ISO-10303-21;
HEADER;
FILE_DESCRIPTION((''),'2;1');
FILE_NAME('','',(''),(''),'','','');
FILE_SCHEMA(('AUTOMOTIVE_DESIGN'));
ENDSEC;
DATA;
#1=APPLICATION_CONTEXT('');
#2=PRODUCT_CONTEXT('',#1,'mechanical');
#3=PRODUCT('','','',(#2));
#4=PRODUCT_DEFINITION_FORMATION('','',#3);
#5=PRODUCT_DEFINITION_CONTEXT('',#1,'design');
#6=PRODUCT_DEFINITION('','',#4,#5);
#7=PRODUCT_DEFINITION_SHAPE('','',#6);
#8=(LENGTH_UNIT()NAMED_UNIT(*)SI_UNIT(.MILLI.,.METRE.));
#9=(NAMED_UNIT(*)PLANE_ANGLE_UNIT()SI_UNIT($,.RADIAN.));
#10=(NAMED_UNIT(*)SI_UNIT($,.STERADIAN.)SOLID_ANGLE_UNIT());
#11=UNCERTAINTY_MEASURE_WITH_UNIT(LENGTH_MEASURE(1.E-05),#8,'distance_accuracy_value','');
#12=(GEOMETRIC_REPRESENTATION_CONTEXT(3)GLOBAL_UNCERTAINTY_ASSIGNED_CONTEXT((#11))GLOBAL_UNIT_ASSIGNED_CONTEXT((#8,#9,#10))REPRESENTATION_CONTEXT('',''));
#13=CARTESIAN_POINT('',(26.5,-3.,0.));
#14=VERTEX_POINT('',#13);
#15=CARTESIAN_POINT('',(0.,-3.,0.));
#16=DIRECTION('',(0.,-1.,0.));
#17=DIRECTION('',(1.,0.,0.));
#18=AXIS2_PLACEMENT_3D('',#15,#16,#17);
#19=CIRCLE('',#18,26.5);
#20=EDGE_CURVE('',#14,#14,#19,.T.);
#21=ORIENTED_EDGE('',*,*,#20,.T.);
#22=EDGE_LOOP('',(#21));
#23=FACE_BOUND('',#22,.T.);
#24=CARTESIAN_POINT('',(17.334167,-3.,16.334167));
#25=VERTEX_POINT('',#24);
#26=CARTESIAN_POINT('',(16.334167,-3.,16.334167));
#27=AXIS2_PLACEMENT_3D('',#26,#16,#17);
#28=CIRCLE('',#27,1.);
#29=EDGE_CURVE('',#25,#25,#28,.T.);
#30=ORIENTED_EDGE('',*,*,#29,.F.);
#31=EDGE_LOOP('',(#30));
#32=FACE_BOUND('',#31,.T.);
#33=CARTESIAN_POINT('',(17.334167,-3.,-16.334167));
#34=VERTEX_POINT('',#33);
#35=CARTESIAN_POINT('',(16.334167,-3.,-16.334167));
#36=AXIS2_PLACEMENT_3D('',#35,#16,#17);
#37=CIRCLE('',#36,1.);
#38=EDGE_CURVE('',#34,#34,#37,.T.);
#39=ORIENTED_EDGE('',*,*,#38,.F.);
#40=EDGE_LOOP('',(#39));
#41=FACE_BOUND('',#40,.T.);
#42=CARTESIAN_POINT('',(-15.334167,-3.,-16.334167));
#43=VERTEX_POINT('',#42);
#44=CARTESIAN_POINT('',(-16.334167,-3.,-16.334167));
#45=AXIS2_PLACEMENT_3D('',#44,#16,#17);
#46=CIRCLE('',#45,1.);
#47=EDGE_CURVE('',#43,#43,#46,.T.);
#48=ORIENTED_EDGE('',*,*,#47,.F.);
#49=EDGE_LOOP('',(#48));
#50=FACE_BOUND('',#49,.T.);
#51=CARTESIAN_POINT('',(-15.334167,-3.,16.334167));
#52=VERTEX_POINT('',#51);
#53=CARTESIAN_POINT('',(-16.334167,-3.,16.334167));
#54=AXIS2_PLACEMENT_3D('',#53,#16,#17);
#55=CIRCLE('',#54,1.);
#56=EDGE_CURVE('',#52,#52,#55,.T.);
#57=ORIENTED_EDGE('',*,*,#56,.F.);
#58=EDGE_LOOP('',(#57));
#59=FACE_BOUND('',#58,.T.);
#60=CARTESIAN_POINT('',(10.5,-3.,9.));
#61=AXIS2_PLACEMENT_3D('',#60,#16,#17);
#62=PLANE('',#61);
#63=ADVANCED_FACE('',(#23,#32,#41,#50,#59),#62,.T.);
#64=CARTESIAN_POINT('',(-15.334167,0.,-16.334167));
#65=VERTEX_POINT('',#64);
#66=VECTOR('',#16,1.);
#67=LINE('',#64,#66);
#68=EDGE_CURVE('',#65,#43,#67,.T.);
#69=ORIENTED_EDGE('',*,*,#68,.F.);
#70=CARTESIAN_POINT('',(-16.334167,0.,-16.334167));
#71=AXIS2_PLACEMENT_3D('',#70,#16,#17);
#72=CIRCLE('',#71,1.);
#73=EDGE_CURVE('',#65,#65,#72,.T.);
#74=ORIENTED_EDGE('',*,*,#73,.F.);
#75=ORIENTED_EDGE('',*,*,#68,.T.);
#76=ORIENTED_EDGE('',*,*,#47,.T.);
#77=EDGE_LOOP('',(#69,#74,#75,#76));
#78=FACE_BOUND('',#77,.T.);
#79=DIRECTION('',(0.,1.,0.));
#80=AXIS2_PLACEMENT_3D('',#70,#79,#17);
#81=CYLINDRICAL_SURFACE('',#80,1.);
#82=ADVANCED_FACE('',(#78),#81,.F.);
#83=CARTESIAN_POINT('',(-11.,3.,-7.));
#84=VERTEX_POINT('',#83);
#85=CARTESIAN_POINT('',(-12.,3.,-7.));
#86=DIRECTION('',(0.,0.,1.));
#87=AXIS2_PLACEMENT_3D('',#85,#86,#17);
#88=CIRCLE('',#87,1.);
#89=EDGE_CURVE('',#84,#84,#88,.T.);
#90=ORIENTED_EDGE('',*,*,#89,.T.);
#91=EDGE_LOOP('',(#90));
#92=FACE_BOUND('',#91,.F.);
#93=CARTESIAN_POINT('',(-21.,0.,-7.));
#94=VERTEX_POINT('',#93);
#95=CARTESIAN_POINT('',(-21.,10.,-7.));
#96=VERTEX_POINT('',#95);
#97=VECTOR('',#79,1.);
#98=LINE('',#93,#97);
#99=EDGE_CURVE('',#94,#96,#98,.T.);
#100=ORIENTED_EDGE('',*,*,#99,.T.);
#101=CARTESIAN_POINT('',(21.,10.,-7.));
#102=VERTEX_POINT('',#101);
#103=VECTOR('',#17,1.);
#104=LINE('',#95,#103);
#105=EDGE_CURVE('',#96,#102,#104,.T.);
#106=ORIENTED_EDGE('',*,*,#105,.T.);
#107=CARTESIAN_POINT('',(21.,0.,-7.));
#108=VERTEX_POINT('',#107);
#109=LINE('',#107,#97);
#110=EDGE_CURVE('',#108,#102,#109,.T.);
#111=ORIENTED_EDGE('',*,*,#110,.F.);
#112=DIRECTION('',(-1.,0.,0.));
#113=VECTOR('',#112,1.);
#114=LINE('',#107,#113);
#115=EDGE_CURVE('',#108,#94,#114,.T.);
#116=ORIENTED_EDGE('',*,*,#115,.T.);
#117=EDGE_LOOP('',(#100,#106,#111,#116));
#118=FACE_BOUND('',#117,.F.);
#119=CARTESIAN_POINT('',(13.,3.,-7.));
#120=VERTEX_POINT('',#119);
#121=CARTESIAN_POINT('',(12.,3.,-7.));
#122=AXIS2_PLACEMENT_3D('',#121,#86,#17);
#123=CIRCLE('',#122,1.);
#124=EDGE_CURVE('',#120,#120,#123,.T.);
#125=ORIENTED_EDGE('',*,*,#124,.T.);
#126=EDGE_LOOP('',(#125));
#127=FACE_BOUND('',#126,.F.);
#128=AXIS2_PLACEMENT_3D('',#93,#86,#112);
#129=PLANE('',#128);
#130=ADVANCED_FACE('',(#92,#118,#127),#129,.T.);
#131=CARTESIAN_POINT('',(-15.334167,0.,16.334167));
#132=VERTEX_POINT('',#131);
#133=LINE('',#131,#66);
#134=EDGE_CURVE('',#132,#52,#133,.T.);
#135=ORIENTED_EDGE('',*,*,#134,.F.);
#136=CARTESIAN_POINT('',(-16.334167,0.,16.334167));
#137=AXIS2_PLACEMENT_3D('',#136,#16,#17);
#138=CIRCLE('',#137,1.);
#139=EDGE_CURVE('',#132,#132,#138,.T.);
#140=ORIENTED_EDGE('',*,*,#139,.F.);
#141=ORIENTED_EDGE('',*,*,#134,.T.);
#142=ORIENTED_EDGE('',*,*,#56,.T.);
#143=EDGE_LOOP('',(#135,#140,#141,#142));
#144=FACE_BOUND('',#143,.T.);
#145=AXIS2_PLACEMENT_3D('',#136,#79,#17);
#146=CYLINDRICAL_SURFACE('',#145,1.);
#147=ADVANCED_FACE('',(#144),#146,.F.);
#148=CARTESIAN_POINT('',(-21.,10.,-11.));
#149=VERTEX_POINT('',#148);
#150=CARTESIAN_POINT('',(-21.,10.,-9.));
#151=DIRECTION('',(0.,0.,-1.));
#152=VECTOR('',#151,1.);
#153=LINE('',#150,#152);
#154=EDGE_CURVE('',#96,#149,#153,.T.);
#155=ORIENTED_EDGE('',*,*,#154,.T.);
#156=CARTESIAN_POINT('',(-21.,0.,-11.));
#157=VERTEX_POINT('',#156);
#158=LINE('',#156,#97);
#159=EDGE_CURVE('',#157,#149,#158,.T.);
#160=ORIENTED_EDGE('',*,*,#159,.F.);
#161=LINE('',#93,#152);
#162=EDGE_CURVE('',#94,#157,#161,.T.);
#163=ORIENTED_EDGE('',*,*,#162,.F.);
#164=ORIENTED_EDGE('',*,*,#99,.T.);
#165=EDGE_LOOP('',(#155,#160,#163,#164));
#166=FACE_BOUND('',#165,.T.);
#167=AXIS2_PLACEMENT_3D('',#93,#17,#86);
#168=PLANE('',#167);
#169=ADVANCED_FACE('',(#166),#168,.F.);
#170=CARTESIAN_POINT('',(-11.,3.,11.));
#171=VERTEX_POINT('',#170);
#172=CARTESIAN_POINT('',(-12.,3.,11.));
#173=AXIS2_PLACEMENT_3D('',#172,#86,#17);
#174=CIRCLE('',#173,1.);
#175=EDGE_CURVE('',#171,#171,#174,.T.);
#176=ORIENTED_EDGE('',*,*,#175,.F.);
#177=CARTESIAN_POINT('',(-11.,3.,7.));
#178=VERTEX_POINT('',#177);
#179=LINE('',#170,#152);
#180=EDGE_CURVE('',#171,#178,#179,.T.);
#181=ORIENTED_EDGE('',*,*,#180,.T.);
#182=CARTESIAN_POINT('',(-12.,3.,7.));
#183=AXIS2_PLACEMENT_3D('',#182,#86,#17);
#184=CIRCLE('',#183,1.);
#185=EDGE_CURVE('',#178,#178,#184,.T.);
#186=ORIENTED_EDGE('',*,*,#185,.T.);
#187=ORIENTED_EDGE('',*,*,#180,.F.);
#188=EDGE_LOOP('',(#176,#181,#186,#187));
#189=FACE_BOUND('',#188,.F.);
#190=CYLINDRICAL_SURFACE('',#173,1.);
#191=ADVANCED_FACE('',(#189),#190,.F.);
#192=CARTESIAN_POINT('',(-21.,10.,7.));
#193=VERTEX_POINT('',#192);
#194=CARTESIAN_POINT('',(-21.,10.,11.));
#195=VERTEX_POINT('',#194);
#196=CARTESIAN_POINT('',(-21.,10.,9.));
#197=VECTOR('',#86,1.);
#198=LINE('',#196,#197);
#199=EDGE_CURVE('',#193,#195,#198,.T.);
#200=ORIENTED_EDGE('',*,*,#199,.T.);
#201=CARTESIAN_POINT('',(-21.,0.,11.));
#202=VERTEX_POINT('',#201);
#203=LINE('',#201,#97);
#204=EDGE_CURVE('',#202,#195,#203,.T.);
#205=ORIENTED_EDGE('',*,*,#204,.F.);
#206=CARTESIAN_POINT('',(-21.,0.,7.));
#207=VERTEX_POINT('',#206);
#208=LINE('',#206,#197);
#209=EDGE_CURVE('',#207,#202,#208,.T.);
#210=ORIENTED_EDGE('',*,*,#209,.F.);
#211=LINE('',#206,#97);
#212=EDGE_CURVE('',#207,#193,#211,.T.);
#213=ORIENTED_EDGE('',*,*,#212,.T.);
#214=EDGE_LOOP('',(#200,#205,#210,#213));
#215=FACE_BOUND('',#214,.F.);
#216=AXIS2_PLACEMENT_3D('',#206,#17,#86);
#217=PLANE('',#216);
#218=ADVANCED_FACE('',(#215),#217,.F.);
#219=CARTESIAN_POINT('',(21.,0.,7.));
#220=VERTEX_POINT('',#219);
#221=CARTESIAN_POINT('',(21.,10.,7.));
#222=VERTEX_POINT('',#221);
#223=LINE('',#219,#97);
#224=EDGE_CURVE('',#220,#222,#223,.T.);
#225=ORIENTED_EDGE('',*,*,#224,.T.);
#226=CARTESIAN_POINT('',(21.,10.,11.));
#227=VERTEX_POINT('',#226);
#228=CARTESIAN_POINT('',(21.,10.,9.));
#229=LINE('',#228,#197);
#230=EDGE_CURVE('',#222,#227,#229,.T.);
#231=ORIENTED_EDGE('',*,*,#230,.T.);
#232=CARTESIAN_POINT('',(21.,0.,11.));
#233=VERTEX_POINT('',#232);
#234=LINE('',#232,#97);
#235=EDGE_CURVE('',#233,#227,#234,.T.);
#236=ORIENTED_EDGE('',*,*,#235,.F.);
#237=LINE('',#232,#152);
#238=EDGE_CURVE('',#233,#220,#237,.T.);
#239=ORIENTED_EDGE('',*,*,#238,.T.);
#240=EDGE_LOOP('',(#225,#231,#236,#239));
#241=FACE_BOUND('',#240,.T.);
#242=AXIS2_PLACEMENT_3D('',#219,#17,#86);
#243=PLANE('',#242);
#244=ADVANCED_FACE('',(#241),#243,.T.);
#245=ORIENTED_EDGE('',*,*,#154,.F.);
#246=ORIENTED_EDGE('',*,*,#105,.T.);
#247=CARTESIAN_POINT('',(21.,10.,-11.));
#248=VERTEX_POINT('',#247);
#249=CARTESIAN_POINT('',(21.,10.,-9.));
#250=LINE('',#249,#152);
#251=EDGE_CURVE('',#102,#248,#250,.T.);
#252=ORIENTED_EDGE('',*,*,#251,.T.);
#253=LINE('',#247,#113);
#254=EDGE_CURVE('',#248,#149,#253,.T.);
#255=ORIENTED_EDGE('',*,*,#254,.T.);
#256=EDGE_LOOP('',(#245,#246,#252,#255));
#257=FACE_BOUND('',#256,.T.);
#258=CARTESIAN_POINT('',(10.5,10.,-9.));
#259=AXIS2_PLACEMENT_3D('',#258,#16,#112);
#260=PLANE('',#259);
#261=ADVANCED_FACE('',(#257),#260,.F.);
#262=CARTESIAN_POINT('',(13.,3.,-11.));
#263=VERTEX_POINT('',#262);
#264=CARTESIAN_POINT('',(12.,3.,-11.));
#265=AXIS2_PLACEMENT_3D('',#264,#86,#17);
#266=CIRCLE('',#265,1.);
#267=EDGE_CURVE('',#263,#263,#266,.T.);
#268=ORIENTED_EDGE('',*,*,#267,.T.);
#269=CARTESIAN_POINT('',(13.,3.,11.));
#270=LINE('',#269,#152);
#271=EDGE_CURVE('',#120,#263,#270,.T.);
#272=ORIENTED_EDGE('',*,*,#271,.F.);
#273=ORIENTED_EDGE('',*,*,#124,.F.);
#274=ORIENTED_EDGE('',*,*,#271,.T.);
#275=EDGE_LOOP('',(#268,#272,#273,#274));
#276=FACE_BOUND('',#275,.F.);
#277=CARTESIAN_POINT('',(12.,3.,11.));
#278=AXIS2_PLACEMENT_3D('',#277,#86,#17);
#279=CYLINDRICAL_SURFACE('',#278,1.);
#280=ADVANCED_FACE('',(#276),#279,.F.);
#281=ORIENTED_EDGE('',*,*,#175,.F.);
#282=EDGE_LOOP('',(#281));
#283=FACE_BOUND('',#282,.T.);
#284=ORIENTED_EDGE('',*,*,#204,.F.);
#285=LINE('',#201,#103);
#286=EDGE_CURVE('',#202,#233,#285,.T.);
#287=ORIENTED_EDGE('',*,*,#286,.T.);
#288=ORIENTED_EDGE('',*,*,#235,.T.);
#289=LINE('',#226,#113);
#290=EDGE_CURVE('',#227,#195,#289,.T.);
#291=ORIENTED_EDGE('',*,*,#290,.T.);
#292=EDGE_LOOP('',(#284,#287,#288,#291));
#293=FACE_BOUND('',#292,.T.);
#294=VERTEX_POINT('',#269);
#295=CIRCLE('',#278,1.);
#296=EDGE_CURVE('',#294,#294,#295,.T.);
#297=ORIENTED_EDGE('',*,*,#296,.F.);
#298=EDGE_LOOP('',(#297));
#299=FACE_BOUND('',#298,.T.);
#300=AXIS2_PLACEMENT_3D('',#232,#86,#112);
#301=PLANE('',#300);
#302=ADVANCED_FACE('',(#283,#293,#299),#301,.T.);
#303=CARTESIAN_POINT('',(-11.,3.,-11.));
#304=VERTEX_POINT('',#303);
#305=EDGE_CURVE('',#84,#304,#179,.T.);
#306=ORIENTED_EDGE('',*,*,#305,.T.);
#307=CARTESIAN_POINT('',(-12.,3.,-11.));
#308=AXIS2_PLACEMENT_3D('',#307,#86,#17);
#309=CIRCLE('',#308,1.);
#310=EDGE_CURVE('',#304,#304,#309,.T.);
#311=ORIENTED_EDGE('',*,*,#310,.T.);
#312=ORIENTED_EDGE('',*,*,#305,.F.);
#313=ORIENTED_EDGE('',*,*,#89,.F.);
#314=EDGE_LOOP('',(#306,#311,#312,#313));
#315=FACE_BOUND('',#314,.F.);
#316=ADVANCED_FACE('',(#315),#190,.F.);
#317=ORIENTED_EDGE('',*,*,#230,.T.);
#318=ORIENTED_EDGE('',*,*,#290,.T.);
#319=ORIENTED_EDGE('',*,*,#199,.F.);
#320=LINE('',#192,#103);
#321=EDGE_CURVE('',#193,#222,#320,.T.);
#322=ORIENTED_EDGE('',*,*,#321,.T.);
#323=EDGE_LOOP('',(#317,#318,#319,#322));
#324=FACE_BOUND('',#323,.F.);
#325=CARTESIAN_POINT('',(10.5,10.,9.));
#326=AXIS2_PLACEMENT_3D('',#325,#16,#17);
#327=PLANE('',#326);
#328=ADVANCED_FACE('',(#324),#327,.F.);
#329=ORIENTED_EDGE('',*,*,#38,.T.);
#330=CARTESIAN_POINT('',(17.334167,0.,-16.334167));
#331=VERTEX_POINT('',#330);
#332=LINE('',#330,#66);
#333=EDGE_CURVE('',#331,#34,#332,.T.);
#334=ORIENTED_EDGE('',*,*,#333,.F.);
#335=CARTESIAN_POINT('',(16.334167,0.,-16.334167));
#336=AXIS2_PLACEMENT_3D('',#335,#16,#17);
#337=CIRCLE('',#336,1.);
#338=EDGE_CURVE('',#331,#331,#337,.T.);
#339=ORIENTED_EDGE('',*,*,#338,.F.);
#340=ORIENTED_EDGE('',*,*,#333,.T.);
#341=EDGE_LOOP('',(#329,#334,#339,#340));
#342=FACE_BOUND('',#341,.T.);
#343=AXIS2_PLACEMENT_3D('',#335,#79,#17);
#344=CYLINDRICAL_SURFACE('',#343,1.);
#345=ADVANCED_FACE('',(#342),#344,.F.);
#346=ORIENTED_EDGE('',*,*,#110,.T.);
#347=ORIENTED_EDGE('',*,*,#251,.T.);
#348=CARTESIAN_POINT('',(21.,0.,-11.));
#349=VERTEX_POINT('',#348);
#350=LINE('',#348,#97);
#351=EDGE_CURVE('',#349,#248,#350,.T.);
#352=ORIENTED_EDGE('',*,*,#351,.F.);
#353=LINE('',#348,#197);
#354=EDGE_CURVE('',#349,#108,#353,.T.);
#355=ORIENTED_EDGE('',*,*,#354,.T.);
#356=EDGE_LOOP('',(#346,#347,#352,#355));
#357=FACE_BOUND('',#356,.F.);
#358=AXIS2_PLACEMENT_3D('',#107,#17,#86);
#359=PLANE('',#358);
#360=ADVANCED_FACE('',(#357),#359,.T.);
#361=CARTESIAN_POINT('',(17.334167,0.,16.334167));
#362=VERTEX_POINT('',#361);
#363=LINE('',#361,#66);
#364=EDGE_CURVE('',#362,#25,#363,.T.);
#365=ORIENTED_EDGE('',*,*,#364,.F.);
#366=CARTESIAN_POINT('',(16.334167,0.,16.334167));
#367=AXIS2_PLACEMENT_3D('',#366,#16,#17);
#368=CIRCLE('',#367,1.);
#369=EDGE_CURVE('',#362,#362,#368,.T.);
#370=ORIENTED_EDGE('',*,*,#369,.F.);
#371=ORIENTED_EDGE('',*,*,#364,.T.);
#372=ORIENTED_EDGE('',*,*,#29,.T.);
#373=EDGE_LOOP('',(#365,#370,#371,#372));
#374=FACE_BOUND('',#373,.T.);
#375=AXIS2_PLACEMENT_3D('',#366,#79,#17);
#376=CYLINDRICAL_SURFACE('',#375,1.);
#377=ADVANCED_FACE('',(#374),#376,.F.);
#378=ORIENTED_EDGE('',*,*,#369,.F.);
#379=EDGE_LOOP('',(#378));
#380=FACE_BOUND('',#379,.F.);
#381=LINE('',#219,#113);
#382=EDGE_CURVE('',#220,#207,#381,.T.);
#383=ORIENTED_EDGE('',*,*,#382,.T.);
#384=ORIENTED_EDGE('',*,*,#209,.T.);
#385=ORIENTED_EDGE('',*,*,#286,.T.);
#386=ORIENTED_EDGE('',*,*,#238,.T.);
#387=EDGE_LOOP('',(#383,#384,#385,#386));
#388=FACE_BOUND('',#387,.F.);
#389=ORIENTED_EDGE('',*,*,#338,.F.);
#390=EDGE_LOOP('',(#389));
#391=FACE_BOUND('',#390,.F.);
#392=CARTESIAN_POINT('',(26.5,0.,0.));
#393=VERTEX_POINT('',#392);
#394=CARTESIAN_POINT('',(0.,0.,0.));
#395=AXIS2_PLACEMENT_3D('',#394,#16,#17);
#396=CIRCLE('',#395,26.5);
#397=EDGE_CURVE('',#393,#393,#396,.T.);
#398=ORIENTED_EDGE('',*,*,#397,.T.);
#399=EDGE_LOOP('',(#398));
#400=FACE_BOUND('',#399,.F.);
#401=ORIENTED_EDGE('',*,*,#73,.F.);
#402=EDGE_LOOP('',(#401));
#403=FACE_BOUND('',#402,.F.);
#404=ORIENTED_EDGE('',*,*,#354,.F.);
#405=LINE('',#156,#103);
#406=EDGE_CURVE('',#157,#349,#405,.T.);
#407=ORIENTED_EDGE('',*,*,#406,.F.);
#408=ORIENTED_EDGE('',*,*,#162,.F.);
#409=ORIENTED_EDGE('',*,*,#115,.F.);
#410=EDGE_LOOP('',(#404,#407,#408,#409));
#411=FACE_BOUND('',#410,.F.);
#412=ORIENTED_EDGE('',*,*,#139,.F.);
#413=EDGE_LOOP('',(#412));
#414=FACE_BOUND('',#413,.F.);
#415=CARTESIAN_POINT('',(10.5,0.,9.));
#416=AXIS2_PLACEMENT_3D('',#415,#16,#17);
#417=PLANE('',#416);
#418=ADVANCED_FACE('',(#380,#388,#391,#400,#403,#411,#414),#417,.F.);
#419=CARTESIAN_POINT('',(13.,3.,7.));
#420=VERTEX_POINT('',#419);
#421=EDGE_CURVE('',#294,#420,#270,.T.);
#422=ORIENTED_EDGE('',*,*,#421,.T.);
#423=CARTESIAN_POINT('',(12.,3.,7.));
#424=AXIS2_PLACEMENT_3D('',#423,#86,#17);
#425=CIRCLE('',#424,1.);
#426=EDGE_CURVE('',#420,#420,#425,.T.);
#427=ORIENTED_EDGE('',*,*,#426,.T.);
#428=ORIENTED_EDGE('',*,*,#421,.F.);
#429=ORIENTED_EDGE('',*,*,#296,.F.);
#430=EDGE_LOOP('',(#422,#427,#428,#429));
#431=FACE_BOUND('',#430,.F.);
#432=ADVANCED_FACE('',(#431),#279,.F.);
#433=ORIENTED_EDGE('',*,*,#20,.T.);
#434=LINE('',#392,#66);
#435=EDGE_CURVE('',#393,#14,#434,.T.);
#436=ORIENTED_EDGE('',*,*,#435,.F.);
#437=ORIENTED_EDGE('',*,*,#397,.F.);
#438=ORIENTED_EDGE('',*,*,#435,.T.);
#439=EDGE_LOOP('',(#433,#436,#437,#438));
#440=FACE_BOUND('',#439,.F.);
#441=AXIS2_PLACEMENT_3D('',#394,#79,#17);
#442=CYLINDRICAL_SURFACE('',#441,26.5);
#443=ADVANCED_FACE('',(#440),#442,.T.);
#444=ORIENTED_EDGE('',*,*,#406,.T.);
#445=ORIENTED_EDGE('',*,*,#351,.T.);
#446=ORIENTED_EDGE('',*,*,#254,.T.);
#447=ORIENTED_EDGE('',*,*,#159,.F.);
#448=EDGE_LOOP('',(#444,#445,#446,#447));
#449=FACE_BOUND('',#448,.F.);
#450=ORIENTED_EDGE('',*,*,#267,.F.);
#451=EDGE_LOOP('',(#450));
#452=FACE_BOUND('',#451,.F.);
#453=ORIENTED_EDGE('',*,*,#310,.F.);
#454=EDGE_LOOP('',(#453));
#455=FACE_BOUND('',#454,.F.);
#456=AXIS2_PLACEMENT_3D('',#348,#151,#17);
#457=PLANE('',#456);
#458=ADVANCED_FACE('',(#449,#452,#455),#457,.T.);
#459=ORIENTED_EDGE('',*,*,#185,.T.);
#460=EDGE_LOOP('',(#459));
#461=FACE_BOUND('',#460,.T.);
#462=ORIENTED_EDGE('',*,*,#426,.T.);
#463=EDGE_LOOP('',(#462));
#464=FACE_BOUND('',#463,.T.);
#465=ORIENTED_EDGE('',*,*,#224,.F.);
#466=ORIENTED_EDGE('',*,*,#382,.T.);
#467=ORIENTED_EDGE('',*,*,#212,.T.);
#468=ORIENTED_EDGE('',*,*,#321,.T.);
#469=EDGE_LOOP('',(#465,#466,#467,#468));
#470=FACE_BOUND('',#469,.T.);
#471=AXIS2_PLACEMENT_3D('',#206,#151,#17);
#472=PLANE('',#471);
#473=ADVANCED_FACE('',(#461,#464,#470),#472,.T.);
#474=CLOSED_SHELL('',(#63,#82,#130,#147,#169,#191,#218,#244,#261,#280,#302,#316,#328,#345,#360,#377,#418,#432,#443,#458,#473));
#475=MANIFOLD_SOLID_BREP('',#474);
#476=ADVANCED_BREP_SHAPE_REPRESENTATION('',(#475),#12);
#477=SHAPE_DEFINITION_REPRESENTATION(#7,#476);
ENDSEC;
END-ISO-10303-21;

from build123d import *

# Parameters (mm, degrees)
F0_W     = 21
F0_H     = 4
F0_R     = 26.5
F0_R_2   = 1
F1_DEPTH = 3
F2_DEPTH = 10
F4_R     = 1
F5_DEPTH = 37.501


with BuildPart() as f1:
    # F0 (on Front) → F1 (new body)
    with BuildSketch(Plane.XZ):
        with Locations((10.5, 9)):
            Rectangle(F0_W, F0_H)
        with Locations((-10.5, 9)):
            Rectangle(F0_W, F0_H)
        Circle(F0_R)
        with Locations((-16.334167, -16.334167)):
            Circle(F0_R_2, mode=Mode.SUBTRACT)
        with Locations((16.334167, -16.334167)):
            Circle(F0_R_2, mode=Mode.SUBTRACT)
        with Locations((-16.334167, 16.334167)):
            Circle(F0_R_2, mode=Mode.SUBTRACT)
        Polygon((21, 7), (0, 7), (-21, 7), (-21, 11), (0, 11), (21, 11), align=None, mode=Mode.SUBTRACT)
        with Locations((16.334167, 16.334167)):
            Circle(F0_R_2, mode=Mode.SUBTRACT)
    extrude(amount=F1_DEPTH)

    # F0 (on Front) → F2 (join)
    with BuildSketch(Plane.XZ):
        with Locations((10.5, 9)):
            Rectangle(F0_W, F0_H)
        with Locations((-10.5, 9)):
            Rectangle(F0_W, F0_H)
    extrude(amount=-F2_DEPTH)

    # F3: F1 across plane


with BuildPart() as f1_1:
    add(f1.part)
    add(f1.part.mirror(Plane.XY))

    # F4 (on face) → F5 (cut, through all)
    with BuildSketch(Plane.XY.offset(11)):
        with Locations((-12, 3)):
            Circle(F4_R)
        with Locations((12, 3)):
            Circle(F4_R)
    extrude(amount=-F5_DEPTH, mode=Mode.SUBTRACT)


solid = f1_1.part
